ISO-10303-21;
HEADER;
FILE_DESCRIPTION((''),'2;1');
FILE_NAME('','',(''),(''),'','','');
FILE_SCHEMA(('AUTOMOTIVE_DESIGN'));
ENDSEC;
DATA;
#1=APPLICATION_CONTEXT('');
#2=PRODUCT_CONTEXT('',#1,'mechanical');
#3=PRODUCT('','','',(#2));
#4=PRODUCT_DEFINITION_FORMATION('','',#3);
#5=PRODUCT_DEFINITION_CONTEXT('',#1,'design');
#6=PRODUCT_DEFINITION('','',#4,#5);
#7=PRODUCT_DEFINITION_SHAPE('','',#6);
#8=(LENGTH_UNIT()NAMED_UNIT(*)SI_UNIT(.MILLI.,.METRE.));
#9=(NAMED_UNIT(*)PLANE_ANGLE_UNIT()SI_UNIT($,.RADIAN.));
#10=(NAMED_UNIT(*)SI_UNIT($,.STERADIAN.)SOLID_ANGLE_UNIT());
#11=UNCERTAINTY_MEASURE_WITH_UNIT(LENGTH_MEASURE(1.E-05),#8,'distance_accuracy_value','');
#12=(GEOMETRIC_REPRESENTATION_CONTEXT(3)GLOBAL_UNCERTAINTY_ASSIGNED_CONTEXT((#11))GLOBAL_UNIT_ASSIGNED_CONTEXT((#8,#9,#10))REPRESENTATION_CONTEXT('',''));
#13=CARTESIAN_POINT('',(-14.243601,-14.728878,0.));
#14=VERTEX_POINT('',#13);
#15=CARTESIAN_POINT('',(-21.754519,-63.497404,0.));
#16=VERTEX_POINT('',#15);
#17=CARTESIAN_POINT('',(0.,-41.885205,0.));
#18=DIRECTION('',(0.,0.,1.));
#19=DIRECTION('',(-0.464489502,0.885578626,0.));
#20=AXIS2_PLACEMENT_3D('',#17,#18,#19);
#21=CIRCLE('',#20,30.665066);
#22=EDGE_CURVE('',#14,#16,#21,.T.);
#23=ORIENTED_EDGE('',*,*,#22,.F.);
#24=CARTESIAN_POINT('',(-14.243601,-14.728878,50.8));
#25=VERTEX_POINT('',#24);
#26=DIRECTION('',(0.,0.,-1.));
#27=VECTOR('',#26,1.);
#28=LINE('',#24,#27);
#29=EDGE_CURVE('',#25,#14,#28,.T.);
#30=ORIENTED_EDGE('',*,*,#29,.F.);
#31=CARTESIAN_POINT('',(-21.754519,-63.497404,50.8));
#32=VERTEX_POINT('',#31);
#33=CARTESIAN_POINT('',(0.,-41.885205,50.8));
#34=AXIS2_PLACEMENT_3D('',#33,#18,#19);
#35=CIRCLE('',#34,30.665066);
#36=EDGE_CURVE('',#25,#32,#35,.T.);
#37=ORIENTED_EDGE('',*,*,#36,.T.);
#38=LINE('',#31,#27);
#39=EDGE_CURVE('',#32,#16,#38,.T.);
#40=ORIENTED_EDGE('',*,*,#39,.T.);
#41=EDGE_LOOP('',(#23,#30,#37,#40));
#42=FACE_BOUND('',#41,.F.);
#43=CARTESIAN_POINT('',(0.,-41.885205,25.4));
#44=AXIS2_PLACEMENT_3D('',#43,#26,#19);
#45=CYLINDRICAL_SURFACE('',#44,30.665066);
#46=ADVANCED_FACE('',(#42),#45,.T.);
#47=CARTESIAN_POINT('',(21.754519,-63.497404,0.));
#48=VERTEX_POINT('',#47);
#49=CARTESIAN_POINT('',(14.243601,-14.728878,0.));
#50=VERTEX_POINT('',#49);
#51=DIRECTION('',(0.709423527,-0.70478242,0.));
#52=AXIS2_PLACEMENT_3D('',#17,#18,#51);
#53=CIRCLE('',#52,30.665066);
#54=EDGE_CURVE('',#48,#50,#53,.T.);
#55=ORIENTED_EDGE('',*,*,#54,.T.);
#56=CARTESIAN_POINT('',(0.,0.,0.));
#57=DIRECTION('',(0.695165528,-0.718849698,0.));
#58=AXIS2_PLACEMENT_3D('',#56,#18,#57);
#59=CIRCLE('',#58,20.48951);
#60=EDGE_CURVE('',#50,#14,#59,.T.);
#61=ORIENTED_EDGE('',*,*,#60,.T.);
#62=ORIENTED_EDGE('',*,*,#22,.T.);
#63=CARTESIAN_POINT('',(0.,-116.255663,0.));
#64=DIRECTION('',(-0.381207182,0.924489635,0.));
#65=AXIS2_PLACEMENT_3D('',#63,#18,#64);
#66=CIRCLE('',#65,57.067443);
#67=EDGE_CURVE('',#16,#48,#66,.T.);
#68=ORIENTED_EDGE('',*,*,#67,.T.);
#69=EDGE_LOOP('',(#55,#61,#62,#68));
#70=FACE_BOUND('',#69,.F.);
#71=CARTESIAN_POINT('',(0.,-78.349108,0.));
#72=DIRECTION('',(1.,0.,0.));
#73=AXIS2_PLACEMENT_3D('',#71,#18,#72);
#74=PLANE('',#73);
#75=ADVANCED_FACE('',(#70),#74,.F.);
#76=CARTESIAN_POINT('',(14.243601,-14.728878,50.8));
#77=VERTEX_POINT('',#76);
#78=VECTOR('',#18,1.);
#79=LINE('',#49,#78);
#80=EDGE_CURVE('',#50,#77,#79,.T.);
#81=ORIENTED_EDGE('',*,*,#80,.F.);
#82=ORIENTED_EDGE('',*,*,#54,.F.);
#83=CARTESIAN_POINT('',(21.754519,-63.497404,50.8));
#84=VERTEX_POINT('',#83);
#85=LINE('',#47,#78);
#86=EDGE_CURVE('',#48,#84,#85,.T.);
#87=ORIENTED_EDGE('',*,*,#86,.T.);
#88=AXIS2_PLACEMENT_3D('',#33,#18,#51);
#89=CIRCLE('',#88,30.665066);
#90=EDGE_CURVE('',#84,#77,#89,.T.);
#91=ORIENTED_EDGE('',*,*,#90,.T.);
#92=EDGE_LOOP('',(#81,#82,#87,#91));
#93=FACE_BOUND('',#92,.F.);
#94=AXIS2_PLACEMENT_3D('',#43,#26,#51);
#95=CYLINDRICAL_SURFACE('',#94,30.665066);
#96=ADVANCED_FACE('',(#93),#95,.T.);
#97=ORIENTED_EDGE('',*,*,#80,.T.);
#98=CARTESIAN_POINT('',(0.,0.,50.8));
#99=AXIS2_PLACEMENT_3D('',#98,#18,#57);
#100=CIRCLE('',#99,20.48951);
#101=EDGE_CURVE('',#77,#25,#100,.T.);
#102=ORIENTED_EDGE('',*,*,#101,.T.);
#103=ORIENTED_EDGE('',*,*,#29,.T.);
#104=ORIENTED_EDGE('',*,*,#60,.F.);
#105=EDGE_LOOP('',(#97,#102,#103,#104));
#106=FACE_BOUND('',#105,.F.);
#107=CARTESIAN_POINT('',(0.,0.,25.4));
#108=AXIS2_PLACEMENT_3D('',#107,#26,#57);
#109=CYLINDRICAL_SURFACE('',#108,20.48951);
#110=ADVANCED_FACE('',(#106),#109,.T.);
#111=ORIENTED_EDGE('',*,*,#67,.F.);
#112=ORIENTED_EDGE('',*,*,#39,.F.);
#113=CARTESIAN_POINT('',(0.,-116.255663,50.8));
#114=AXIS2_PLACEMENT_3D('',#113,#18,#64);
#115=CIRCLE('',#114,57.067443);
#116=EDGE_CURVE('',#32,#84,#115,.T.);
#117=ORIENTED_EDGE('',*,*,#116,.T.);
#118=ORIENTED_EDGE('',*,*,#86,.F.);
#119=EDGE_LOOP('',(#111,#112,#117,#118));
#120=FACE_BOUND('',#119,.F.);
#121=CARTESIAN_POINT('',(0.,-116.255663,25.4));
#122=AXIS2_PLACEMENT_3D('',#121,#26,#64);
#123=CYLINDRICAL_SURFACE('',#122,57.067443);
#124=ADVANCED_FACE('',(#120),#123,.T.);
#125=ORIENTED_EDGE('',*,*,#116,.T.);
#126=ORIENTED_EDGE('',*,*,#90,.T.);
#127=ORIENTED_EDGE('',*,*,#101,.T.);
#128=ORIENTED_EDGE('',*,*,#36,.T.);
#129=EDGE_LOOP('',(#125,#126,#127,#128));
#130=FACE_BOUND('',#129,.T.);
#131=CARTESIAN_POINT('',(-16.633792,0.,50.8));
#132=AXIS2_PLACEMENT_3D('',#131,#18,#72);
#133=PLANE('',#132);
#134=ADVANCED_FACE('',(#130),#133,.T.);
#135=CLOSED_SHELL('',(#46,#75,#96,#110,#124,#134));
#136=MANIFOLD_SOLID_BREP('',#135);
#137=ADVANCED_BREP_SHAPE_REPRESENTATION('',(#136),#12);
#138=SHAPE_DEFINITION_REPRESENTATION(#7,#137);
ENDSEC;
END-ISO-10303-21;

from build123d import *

# Parameters (mm, degrees)
F1_DEPTH = 25.4
F2_R     = 3.179177
F2_R_2   = 4.35825
F3_DEPTH = 25.4


with BuildPart() as f1:
    # F0 (on Top) → F1 (new body)
    with BuildSketch(Plane.XY):
        with BuildLine():
            ThreePointArc((21.754519, -63.497404), (30.307729, -37.217463), (14.243601, -14.728878))
            ThreePointArc((14.243601, -14.728878), (0, 20.48951), (-14.243601, -14.728878))
            ThreePointArc((-14.243601, -14.728878), (-30.307729, -37.217463), (-21.754519, -63.497404))
            ThreePointArc((-21.754519, -63.497404), (0, -173.323106), (21.754519, -63.497404))
        make_face()
    extrude(amount=F1_DEPTH)

    # F2 (on face) + F1_face (on face) → F3 (join)
    with BuildSketch(Plane.XY.offset(25.4)):
        with Locations((-16.633792, 0)):
            Circle(F2_R)
        with Locations((10.209051, 0)):
            Circle(F2_R_2)
        with BuildLine():
            ThreePointArc((-21.754519, -63.497404), (0, -173.323106), (21.754519, -63.497404))
            ThreePointArc((21.754519, -63.497404), (30.307729, -37.217463), (14.243601, -14.728878))
            ThreePointArc((14.243601, -14.728878), (0, 20.48951), (-14.243601, -14.728878))
            ThreePointArc((-14.243601, -14.728878), (-30.307729, -37.217463), (-21.754519, -63.497404))
        make_face()
        with Locations((-16.633792, 0)):
            Circle(F2_R, mode=Mode.SUBTRACT)
        with Locations((10.209051, 0)):
            Circle(F2_R_2, mode=Mode.SUBTRACT)
    with BuildSketch(Plane(origin=(0, -92.222093, 25.4), x_dir=(1, 0, 0), z_dir=(0, 0, 1))):
        with BuildLine():
            ThreePointArc((21.754519, 28.724689), (30.307729, 55.00463), (14.243601, 77.493215))
            ThreePointArc((14.243601, 77.493215), (0, 112.711603), (-14.243601, 77.493215))
            ThreePointArc((-14.243601, 77.493215), (-30.307729, 55.00463), (-21.754519, 28.724689))
            ThreePointArc((-21.754519, 28.724689), (0, -81.101013), (21.754519, 28.724689))
        make_face()
        with BuildLine():
            ThreePointArc((14.243601, 77.493215), (30.307729, 55.00463), (21.754519, 28.724689))
            ThreePointArc((21.754519, 28.724689), (0, -81.101013), (-21.754519, 28.724689))
            ThreePointArc((-21.754519, 28.724689), (-30.307729, 55.00463), (-14.243601, 77.493215))
            ThreePointArc((-14.243601, 77.493215), (0, 112.711603), (14.243601, 77.493215))
        make_face()
    extrude(amount=F3_DEPTH)


solid = f1.part
